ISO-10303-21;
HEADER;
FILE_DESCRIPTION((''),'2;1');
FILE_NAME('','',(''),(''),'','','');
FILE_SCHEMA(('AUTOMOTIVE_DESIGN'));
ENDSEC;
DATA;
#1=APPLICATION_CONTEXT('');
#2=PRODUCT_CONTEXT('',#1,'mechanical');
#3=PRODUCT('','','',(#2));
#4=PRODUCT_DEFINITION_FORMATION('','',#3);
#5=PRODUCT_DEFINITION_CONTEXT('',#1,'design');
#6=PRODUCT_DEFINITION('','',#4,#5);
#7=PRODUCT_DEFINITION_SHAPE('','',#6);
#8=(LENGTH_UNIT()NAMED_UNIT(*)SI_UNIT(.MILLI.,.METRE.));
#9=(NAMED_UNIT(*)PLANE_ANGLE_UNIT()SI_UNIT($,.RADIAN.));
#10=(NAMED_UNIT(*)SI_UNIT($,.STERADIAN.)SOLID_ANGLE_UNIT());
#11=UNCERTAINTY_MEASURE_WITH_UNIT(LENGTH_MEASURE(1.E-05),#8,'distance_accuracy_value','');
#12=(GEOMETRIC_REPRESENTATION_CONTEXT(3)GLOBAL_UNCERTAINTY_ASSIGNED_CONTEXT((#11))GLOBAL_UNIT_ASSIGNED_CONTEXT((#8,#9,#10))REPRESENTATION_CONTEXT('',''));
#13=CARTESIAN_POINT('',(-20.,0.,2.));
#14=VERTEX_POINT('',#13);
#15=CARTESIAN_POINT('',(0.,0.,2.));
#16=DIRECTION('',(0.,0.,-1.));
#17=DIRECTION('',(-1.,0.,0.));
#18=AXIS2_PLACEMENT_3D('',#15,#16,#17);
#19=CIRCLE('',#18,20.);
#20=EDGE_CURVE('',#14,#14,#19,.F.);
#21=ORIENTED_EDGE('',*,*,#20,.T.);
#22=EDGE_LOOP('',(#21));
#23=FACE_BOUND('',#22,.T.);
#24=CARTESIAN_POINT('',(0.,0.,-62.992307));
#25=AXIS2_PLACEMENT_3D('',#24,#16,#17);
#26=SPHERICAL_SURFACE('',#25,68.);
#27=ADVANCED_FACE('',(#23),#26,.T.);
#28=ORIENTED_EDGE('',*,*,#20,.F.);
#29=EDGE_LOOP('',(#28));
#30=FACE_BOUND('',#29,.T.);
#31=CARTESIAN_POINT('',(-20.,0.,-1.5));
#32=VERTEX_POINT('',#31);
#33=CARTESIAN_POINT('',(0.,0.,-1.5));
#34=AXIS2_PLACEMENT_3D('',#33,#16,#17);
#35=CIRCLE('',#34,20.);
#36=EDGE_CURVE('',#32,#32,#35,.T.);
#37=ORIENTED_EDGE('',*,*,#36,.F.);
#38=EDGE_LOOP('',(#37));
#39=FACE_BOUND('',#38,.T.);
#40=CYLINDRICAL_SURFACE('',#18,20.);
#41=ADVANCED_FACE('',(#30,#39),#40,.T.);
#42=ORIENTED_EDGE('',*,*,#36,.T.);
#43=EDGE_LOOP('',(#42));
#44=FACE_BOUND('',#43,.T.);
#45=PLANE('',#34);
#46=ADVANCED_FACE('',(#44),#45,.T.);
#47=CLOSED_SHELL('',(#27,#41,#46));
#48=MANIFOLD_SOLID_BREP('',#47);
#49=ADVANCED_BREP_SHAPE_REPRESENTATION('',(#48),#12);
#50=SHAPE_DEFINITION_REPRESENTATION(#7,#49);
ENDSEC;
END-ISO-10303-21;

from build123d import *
from build123d.topology import SkipClean

# Parameters (mm, degrees)
SKETCH1_R               = 20
BOSS_EXTRUDE1_DEPTH     = 2
CUT_EXTRUDE1_DEPTH      = 149.939533232
CUT_EXTRUDE1_DEPTH_BACK = 149.939533232
SKETCH4_R               = 20
BOSS_EXTRUDE2_DEPTH     = 2
CUT_EXTRUDE2_DEPTH      = 60.117570106
CUT_EXTRUDE2_DEPTH_BACK = 60.117570106
BOSS_EXTRUDE3_START     = 1.5
SKETCH6_R               = 20
BOSS_EXTRUDE3_DEPTH     = 1.5


with BuildPart() as part:
    # Sketch1 → Boss-Extrude1 (new body)
    with BuildSketch(Plane.XY):
        Circle(SKETCH1_R)
    extrude(amount=BOSS_EXTRUDE1_DEPTH)

    # Sketch2 → Revolve1 (revolve)
    with BuildSketch(Plane(origin=(0, 0, 0), x_dir=(0, 0, -1), z_dir=(1, 0, 0))):
        with BuildLine():
            Line((-2, 20), (-2, -20))
            ThreePointArc((-2, -20), (-5.007692763, 0), (-2, 20))
        make_face()
    revolve(axis=Axis((0, 18.147187934, -62.992307237), (0, -1, 0)))

    # Sketch3 → Cut-Extrude1 (cut, two sides: drawn at the far end of the back side and taken through both)
    with BuildSketch(Plane(origin=(0, 0, 0), x_dir=(1, 0, 0), z_dir=(0, 1, 0)).offset(-CUT_EXTRUDE1_DEPTH_BACK)):
        Polygon((76.406042556, 19.358854798), (-76.406042556, 19.358854798), (-76.406042556, 108.879477381), (-76.406042556, 197.624528818), (96.484941814, 197.624528818), (96.484941814, 108.879477381), (76.406042556, 108.879477381), align=None)
    extrude(amount=CUT_EXTRUDE1_DEPTH + CUT_EXTRUDE1_DEPTH_BACK, mode=Mode.SUBTRACT)

    # Sketch4 → Boss-Extrude2 (add)
    with BuildSketch(Plane(origin=(0, 0, 0), x_dir=(-1, 0, 0), z_dir=(0, 0, -1))):
        Circle(SKETCH4_R)
    extrude(amount=-BOSS_EXTRUDE2_DEPTH)

    # Sketch5 → Cut-Extrude2 (cut, two sides: drawn at the far end of the back side and taken through both)
    with SkipClean():  # the faces are left unmerged after this step: merging them gives an invalid solid
        with BuildSketch(Plane(origin=(0, 0, 0), x_dir=(-1, 0, 0), z_dir=(0, 0, -1)).offset(-CUT_EXTRUDE2_DEPTH_BACK)):
            with BuildLine():
                ThreePointArc((-15.999038376, 12.001282059), (-8.94355521, 17.888902152), (-4.9e-08, 20))
                Line((-4.9e-08, 20), (-70.945492499, 20))
                Line((-70.945492499, 20), (-70.945492499, -20))
                Line((-70.945492499, -20), (2.6e-08, -20))
                ThreePointArc((2.6e-08, -20), (-8.943555177, -17.888902169), (-15.999038376, -12.001282059))
                ThreePointArc((-15.999038376, -12.001282059), (-20, 0), (-15.999038376, 12.001282059))
            make_face()
            with BuildLine():
                Line((70.945492499, -20), (70.945492499, 20))
                Line((70.945492499, 20), (-4.9e-08, 20))
                ThreePointArc((-4.9e-08, 20), (8.943555167, 17.888902174), (15.999038376, 12.001282059))
                ThreePointArc((15.999038376, 12.001282059), (18.973412549, 6.325315505), (20, 0))
                ThreePointArc((20, 0), (18.973412549, -6.325315505), (15.999038376, -12.001282059))
                ThreePointArc((15.999038376, -12.001282059), (8.9435552, -17.888902157), (2.6e-08, -20))
                Line((2.6e-08, -20), (70.945492499, -20))
            make_face()
        extrude(amount=CUT_EXTRUDE2_DEPTH + CUT_EXTRUDE2_DEPTH_BACK, mode=Mode.SUBTRACT)

    # Sketch6 → Boss-Extrude3 (add)
    with SkipClean():  # the faces are left unmerged after this step: merging them gives an invalid solid
        with BuildSketch(Plane(origin=(0, 0, 0), x_dir=(-1, 0, 0), z_dir=(0, 0, -1)).offset(BOSS_EXTRUDE3_START)):
            Circle(SKETCH6_R)
        extrude(amount=-BOSS_EXTRUDE3_DEPTH)


solid = part.part
